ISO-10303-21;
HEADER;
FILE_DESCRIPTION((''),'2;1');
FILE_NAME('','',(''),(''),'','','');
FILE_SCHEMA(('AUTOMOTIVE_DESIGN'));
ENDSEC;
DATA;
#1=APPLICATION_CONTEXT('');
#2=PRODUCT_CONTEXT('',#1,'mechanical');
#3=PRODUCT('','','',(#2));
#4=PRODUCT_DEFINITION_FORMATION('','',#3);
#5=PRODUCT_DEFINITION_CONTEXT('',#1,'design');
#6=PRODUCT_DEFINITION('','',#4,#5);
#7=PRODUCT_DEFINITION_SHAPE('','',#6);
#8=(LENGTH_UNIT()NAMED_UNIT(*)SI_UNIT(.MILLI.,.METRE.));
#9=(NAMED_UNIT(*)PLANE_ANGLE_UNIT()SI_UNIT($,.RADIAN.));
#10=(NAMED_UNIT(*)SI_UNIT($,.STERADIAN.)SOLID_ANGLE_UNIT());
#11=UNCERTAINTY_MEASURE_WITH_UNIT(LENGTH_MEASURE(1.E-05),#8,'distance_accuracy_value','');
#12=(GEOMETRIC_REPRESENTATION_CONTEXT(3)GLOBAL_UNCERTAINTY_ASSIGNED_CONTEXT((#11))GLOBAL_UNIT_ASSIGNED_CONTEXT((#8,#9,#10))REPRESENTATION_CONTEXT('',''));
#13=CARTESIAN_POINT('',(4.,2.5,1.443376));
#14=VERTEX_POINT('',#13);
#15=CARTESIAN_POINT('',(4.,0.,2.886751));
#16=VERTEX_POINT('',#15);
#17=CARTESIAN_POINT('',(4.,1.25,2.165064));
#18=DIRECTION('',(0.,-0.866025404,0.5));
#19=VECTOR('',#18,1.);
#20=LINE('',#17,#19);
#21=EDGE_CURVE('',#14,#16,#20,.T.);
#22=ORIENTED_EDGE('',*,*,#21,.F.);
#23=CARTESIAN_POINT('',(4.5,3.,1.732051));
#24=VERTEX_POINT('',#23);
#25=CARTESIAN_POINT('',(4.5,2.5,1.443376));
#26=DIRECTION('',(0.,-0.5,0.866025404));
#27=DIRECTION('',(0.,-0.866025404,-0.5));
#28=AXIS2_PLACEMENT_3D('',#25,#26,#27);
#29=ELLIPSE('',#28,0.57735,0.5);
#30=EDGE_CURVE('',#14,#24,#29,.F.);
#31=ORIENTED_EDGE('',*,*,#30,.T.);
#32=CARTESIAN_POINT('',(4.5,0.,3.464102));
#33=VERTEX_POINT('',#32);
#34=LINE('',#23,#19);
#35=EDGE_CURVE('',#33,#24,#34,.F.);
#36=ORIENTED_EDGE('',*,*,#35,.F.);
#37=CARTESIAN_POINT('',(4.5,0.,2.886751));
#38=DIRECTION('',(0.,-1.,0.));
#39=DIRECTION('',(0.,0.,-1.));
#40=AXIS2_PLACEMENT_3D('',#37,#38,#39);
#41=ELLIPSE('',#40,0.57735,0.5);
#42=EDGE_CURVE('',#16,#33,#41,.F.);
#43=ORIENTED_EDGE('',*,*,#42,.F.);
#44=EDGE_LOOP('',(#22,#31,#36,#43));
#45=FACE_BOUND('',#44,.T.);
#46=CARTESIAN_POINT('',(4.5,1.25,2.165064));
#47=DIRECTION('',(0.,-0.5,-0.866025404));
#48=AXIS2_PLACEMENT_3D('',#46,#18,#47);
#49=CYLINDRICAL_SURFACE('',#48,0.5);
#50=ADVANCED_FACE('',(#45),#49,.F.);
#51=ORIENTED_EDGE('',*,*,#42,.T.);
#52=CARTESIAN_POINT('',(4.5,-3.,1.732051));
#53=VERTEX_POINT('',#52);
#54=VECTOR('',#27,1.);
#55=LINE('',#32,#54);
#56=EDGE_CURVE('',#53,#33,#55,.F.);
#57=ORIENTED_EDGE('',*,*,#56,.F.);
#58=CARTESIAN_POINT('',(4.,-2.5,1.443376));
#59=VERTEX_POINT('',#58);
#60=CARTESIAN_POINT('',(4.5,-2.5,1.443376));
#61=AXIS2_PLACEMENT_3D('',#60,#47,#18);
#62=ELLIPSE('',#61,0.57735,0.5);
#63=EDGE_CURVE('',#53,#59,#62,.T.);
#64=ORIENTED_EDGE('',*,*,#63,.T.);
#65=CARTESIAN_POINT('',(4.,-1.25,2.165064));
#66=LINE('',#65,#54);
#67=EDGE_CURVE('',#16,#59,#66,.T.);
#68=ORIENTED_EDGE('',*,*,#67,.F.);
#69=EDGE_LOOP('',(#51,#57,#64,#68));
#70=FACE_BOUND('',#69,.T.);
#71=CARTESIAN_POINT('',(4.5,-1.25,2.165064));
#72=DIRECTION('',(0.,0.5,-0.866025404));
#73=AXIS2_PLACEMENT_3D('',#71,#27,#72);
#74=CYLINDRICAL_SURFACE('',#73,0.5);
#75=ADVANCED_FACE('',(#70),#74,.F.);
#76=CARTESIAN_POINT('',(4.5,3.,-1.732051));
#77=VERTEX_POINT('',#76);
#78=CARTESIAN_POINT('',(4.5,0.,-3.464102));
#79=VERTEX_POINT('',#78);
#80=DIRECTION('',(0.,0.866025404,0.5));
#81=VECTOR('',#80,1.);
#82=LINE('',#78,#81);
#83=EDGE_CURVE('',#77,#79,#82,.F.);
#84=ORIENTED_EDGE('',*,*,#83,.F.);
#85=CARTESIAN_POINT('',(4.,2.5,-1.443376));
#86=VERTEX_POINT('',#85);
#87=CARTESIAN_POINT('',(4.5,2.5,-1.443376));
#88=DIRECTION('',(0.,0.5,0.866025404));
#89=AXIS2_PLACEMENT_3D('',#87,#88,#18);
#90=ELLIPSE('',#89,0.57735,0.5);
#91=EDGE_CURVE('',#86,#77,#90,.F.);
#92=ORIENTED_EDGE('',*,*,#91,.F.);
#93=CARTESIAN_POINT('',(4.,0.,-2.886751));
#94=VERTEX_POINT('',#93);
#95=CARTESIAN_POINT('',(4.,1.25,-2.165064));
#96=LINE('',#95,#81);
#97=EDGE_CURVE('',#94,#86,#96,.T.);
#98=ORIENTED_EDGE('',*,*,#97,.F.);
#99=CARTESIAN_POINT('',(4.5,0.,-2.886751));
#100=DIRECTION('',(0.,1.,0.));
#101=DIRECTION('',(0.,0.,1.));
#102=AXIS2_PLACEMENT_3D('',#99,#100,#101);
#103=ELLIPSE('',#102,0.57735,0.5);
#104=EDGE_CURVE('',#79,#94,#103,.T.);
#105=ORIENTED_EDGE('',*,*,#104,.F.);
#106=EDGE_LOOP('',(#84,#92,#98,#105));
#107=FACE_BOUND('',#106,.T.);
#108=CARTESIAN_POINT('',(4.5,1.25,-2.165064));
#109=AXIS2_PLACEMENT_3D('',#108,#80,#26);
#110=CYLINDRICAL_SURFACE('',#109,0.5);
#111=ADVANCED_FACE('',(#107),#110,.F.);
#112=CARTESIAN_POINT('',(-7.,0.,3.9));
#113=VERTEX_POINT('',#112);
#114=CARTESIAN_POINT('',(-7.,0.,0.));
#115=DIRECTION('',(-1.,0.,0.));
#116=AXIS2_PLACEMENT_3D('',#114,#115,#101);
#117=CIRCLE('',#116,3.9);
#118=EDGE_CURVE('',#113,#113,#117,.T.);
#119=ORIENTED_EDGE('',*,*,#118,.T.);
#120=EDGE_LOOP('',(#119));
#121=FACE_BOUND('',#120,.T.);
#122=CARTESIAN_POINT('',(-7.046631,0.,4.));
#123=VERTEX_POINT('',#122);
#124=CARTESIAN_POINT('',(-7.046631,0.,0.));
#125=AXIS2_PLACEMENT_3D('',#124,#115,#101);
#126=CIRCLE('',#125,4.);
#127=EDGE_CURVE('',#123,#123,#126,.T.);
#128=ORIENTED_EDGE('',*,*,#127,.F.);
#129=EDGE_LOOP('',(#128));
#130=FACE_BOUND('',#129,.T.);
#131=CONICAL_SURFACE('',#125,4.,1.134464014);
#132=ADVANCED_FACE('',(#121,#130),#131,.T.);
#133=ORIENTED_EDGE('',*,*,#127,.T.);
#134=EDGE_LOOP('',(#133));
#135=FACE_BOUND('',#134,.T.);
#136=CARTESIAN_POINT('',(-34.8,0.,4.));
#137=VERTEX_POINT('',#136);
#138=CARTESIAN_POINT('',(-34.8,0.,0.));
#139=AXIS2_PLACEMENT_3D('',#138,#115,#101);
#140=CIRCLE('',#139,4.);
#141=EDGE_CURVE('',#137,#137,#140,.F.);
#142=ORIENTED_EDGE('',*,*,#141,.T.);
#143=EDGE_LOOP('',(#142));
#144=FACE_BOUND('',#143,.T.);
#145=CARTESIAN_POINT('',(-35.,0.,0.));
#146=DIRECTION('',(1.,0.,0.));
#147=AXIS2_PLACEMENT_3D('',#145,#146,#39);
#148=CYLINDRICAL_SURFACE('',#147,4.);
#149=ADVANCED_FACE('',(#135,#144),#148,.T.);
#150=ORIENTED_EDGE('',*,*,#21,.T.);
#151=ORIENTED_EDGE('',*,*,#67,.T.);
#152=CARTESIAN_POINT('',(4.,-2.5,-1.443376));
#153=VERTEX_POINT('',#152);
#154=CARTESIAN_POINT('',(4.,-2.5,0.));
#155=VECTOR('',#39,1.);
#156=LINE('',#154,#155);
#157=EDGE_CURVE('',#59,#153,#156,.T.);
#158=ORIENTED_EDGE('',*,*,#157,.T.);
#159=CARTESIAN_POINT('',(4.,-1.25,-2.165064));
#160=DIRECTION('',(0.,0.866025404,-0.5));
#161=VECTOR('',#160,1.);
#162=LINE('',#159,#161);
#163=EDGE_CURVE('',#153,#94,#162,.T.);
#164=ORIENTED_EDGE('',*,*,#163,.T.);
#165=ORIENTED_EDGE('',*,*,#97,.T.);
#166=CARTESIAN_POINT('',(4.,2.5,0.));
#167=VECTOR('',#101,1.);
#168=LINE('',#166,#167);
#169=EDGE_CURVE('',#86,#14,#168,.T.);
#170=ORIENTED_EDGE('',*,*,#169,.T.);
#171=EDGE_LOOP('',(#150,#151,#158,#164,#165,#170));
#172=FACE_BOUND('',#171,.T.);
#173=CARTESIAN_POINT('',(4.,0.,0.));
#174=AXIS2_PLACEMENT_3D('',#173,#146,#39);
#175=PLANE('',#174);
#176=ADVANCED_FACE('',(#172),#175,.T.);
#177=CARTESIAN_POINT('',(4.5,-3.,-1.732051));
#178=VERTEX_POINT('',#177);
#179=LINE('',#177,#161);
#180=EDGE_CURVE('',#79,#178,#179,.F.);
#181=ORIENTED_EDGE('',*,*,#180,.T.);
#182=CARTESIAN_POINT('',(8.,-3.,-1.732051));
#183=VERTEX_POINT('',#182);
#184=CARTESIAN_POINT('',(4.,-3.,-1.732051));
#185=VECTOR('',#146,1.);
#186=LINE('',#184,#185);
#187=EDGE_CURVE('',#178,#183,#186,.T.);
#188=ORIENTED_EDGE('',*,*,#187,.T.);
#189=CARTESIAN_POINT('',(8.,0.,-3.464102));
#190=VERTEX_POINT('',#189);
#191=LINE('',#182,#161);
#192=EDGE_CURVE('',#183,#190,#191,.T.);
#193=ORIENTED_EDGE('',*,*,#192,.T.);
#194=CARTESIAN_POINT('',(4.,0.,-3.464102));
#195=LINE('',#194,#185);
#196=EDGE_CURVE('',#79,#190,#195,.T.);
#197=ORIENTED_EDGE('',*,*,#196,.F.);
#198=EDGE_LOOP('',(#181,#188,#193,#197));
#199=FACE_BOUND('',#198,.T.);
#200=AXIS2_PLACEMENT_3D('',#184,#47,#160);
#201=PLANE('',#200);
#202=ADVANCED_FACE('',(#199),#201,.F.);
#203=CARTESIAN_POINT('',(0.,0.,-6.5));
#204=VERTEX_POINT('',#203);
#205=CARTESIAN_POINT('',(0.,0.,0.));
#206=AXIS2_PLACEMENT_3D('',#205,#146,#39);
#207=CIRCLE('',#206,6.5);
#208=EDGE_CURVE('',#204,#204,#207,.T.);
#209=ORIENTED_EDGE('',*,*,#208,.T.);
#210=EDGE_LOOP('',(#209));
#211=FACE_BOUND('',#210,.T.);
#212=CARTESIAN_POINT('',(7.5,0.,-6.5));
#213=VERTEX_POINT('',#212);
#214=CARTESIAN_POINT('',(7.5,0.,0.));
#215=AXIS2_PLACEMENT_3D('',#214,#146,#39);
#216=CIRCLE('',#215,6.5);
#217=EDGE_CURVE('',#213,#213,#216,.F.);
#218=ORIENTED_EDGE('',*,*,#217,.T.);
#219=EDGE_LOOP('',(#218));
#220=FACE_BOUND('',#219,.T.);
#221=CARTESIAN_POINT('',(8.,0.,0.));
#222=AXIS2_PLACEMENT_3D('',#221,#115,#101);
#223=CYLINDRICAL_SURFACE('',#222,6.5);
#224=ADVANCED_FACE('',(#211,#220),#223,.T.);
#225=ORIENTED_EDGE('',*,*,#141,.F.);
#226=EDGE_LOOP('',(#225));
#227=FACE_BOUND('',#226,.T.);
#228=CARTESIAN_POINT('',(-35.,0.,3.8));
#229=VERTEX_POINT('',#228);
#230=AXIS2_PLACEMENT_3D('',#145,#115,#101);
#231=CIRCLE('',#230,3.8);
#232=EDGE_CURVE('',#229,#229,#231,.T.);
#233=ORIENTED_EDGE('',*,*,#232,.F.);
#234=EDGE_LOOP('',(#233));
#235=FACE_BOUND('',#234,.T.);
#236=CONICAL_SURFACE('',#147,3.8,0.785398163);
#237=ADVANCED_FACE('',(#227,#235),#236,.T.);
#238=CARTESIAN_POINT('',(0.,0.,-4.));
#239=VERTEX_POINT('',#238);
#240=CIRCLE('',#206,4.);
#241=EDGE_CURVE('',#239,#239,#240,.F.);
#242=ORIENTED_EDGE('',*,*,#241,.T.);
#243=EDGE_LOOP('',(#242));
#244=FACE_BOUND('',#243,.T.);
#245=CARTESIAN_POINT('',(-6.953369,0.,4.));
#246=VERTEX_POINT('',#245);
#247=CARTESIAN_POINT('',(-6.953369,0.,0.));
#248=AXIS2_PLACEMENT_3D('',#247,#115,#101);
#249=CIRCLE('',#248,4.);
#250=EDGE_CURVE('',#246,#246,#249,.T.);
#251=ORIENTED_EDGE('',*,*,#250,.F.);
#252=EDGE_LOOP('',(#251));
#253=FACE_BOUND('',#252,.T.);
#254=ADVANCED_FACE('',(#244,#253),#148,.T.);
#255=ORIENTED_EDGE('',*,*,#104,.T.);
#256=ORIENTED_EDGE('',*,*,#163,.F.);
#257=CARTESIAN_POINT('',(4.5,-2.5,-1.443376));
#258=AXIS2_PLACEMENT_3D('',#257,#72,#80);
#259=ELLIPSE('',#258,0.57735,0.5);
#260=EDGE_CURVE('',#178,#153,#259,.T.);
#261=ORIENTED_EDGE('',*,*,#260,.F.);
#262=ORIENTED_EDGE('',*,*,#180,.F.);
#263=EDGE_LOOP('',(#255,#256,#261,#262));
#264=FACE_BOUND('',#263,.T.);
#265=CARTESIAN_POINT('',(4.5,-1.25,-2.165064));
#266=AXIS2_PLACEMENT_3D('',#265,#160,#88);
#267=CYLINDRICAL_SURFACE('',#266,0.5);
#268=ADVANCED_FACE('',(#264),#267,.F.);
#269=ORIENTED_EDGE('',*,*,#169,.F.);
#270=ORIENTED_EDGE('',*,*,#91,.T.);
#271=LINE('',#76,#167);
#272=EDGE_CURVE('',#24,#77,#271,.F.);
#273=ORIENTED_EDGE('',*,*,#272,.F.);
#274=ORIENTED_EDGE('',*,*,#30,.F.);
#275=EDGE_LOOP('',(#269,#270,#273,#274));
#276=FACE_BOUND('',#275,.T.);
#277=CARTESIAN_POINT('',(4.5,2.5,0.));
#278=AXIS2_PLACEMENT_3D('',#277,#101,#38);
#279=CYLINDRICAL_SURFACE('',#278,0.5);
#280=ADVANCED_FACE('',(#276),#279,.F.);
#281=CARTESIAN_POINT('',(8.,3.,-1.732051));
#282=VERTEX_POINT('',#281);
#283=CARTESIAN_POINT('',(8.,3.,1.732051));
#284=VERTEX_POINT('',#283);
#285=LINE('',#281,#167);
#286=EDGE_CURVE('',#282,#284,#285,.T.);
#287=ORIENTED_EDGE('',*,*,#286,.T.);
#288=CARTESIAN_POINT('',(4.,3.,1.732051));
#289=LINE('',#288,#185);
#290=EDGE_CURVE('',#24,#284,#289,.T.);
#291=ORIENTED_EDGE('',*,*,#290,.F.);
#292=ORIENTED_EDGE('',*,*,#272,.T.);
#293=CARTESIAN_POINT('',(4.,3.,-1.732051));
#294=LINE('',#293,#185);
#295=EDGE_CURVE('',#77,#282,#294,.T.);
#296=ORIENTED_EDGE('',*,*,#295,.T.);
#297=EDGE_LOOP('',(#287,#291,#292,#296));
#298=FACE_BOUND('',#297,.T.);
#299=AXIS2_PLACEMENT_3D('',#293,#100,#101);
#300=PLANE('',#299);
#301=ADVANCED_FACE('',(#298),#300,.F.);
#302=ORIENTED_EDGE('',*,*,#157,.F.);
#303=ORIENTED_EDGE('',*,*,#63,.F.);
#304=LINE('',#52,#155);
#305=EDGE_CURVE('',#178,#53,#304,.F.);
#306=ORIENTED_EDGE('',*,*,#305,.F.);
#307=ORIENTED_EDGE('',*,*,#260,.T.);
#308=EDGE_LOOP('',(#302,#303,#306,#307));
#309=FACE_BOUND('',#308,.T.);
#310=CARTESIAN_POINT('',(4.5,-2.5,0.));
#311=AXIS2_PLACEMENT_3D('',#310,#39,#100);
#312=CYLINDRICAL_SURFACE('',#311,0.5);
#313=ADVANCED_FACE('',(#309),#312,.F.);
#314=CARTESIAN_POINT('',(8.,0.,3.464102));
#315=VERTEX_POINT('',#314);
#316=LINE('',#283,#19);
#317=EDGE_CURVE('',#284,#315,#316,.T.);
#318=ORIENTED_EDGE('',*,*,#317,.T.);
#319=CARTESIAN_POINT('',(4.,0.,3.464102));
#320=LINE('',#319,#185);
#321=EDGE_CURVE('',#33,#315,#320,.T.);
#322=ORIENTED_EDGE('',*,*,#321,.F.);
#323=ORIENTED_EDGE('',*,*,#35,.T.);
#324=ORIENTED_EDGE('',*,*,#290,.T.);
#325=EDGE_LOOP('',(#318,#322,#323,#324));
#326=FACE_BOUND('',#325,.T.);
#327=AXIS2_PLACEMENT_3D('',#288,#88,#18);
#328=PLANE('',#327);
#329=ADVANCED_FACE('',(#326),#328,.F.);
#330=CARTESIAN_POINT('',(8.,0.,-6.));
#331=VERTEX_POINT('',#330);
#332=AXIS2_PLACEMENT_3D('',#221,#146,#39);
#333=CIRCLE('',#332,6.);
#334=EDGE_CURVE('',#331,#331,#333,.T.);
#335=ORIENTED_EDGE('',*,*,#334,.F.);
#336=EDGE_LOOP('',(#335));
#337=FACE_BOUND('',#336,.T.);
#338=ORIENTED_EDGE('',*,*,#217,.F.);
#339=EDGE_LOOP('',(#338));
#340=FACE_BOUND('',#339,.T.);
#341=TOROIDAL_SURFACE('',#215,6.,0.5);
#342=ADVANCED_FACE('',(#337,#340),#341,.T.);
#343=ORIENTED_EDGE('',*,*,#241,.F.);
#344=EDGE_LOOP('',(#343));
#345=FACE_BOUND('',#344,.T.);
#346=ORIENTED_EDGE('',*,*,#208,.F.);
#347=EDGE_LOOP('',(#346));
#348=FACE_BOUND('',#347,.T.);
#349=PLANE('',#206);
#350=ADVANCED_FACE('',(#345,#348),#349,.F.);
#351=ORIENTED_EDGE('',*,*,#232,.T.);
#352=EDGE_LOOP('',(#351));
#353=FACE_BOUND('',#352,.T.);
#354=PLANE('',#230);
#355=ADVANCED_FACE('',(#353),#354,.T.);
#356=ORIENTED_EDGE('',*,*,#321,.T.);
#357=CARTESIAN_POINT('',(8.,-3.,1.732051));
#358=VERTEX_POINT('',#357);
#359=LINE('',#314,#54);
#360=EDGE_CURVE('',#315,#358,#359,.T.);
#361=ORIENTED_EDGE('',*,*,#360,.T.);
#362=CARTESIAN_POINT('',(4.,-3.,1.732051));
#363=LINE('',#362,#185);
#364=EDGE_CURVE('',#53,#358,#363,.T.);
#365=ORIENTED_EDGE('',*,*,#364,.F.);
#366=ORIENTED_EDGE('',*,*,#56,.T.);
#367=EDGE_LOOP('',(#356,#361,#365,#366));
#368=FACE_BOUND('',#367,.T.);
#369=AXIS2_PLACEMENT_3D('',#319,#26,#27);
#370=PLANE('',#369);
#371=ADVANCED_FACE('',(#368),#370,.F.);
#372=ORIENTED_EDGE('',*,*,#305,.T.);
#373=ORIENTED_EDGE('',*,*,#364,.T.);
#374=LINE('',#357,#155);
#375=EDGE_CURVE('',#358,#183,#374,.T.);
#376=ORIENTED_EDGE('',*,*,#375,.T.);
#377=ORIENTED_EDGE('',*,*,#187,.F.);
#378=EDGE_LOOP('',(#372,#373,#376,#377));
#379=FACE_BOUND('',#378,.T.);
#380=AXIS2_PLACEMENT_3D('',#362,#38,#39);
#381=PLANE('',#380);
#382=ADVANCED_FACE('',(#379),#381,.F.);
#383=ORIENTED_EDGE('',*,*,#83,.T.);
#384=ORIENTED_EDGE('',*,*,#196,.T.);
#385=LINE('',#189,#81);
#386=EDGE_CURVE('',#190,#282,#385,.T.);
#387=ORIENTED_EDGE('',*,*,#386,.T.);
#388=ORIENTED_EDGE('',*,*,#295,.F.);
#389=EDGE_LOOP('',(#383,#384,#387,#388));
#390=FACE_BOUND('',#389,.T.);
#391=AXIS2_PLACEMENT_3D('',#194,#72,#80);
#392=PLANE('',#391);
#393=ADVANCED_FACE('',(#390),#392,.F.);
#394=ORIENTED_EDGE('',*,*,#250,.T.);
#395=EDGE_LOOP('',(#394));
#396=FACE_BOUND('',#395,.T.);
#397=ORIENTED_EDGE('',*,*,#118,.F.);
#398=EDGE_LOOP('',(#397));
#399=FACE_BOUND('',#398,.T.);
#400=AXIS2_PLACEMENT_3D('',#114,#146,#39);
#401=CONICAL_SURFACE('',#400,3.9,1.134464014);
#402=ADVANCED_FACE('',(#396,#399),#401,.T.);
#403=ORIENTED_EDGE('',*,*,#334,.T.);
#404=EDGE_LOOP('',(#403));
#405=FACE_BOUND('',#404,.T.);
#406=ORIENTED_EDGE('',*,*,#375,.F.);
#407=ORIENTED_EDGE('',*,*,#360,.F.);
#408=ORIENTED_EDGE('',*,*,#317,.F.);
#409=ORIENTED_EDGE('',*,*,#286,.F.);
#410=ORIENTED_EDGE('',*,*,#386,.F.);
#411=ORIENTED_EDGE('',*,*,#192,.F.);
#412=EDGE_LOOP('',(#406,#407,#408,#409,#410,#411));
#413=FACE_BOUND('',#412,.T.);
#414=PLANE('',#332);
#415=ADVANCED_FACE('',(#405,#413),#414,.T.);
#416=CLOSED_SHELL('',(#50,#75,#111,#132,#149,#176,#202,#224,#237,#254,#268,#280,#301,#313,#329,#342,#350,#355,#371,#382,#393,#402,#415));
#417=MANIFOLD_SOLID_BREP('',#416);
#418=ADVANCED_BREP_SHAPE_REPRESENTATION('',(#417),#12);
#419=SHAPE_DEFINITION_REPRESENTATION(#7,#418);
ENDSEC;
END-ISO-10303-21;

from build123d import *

# Parameters (mm, degrees)
ESQUISSE1_R             = 6.5
BOSS_EXTRU_1_DEPTH      = 8
CONG_1_R                = 0.5
ENL_V_MAT_EXTRU_1_DEPTH = 4
CONG_2_R                = 0.5
ESQUISSE3_R             = 4
BOSS_EXTRU_2_DEPTH      = 35
CHANFREIN1_SIZE         = 0.2


with BuildPart() as part:
    # Esquisse1 → Boss.-Extru.1 (new body)
    with BuildSketch(Plane(origin=(0, 0, 0), x_dir=(0, 0, -1), z_dir=(1, 0, 0))):
        Circle(ESQUISSE1_R)
    extrude(amount=BOSS_EXTRU_1_DEPTH)

    # Congé1
    cong_1_edges = [part.edges().sort_by_distance(p)[0] for p in [
        (8, 0, 6.5),
    ]]
    fillet(cong_1_edges, radius=CONG_1_R)

    # Esquisse2 → Enlèv. mat.-Extru.1 (cut)
    with BuildSketch(Plane(origin=(8, 0, 0), x_dir=(0, 0, -1), z_dir=(1, 0, 0))):
        Polygon((1.732050808, -3), (3.464101615, 0), (1.732050808, 3), (-1.732050808, 3), (-3.464101615, 0), (-1.732050808, -3), align=None)
    extrude(amount=-ENL_V_MAT_EXTRU_1_DEPTH, mode=Mode.SUBTRACT)

    # Congé2
    cong_2_edges = [part.edges().sort_by_distance(p)[0] for p in [
        (4, -3, 0),
        (4, -1.5, 2.598076211),
        (4, 1.5, 2.598076211),
        (4, 3, 0),
        (4, 1.5, -2.598076211),
        (4, -1.5, -2.598076211),
    ]]
    fillet(cong_2_edges, radius=CONG_2_R)

    # Esquisse3 → Boss.-Extru.2 (add)
    with BuildSketch(Plane.ZY):
        with Locations(Location((0, 0, 0), (0, 0, 180))):  # turned: the seam where the file's is
            Circle(ESQUISSE3_R)
    extrude(amount=BOSS_EXTRU_2_DEPTH)

    # Esquisse4 → Enlèvement de matière-Révolution1 (revolve, cut)
    with BuildSketch(Plane(origin=(0, 0, 0), x_dir=(1, 0, 0), z_dir=(0, 1, 0))):
        Polygon((-7.046630766, 4), (-7, 3.9), (-6.953369234, 4), align=None)
    revolve(axis=Axis((-35, 0, 0), (1, 0, 0)), mode=Mode.SUBTRACT)

    # Chanfrein1
    chanfrein1_edges = [part.edges().sort_by_distance(p)[0] for p in [
        (-35, 0, 4),
    ]]
    chamfer(chanfrein1_edges, length=CHANFREIN1_SIZE)


solid = part.part
